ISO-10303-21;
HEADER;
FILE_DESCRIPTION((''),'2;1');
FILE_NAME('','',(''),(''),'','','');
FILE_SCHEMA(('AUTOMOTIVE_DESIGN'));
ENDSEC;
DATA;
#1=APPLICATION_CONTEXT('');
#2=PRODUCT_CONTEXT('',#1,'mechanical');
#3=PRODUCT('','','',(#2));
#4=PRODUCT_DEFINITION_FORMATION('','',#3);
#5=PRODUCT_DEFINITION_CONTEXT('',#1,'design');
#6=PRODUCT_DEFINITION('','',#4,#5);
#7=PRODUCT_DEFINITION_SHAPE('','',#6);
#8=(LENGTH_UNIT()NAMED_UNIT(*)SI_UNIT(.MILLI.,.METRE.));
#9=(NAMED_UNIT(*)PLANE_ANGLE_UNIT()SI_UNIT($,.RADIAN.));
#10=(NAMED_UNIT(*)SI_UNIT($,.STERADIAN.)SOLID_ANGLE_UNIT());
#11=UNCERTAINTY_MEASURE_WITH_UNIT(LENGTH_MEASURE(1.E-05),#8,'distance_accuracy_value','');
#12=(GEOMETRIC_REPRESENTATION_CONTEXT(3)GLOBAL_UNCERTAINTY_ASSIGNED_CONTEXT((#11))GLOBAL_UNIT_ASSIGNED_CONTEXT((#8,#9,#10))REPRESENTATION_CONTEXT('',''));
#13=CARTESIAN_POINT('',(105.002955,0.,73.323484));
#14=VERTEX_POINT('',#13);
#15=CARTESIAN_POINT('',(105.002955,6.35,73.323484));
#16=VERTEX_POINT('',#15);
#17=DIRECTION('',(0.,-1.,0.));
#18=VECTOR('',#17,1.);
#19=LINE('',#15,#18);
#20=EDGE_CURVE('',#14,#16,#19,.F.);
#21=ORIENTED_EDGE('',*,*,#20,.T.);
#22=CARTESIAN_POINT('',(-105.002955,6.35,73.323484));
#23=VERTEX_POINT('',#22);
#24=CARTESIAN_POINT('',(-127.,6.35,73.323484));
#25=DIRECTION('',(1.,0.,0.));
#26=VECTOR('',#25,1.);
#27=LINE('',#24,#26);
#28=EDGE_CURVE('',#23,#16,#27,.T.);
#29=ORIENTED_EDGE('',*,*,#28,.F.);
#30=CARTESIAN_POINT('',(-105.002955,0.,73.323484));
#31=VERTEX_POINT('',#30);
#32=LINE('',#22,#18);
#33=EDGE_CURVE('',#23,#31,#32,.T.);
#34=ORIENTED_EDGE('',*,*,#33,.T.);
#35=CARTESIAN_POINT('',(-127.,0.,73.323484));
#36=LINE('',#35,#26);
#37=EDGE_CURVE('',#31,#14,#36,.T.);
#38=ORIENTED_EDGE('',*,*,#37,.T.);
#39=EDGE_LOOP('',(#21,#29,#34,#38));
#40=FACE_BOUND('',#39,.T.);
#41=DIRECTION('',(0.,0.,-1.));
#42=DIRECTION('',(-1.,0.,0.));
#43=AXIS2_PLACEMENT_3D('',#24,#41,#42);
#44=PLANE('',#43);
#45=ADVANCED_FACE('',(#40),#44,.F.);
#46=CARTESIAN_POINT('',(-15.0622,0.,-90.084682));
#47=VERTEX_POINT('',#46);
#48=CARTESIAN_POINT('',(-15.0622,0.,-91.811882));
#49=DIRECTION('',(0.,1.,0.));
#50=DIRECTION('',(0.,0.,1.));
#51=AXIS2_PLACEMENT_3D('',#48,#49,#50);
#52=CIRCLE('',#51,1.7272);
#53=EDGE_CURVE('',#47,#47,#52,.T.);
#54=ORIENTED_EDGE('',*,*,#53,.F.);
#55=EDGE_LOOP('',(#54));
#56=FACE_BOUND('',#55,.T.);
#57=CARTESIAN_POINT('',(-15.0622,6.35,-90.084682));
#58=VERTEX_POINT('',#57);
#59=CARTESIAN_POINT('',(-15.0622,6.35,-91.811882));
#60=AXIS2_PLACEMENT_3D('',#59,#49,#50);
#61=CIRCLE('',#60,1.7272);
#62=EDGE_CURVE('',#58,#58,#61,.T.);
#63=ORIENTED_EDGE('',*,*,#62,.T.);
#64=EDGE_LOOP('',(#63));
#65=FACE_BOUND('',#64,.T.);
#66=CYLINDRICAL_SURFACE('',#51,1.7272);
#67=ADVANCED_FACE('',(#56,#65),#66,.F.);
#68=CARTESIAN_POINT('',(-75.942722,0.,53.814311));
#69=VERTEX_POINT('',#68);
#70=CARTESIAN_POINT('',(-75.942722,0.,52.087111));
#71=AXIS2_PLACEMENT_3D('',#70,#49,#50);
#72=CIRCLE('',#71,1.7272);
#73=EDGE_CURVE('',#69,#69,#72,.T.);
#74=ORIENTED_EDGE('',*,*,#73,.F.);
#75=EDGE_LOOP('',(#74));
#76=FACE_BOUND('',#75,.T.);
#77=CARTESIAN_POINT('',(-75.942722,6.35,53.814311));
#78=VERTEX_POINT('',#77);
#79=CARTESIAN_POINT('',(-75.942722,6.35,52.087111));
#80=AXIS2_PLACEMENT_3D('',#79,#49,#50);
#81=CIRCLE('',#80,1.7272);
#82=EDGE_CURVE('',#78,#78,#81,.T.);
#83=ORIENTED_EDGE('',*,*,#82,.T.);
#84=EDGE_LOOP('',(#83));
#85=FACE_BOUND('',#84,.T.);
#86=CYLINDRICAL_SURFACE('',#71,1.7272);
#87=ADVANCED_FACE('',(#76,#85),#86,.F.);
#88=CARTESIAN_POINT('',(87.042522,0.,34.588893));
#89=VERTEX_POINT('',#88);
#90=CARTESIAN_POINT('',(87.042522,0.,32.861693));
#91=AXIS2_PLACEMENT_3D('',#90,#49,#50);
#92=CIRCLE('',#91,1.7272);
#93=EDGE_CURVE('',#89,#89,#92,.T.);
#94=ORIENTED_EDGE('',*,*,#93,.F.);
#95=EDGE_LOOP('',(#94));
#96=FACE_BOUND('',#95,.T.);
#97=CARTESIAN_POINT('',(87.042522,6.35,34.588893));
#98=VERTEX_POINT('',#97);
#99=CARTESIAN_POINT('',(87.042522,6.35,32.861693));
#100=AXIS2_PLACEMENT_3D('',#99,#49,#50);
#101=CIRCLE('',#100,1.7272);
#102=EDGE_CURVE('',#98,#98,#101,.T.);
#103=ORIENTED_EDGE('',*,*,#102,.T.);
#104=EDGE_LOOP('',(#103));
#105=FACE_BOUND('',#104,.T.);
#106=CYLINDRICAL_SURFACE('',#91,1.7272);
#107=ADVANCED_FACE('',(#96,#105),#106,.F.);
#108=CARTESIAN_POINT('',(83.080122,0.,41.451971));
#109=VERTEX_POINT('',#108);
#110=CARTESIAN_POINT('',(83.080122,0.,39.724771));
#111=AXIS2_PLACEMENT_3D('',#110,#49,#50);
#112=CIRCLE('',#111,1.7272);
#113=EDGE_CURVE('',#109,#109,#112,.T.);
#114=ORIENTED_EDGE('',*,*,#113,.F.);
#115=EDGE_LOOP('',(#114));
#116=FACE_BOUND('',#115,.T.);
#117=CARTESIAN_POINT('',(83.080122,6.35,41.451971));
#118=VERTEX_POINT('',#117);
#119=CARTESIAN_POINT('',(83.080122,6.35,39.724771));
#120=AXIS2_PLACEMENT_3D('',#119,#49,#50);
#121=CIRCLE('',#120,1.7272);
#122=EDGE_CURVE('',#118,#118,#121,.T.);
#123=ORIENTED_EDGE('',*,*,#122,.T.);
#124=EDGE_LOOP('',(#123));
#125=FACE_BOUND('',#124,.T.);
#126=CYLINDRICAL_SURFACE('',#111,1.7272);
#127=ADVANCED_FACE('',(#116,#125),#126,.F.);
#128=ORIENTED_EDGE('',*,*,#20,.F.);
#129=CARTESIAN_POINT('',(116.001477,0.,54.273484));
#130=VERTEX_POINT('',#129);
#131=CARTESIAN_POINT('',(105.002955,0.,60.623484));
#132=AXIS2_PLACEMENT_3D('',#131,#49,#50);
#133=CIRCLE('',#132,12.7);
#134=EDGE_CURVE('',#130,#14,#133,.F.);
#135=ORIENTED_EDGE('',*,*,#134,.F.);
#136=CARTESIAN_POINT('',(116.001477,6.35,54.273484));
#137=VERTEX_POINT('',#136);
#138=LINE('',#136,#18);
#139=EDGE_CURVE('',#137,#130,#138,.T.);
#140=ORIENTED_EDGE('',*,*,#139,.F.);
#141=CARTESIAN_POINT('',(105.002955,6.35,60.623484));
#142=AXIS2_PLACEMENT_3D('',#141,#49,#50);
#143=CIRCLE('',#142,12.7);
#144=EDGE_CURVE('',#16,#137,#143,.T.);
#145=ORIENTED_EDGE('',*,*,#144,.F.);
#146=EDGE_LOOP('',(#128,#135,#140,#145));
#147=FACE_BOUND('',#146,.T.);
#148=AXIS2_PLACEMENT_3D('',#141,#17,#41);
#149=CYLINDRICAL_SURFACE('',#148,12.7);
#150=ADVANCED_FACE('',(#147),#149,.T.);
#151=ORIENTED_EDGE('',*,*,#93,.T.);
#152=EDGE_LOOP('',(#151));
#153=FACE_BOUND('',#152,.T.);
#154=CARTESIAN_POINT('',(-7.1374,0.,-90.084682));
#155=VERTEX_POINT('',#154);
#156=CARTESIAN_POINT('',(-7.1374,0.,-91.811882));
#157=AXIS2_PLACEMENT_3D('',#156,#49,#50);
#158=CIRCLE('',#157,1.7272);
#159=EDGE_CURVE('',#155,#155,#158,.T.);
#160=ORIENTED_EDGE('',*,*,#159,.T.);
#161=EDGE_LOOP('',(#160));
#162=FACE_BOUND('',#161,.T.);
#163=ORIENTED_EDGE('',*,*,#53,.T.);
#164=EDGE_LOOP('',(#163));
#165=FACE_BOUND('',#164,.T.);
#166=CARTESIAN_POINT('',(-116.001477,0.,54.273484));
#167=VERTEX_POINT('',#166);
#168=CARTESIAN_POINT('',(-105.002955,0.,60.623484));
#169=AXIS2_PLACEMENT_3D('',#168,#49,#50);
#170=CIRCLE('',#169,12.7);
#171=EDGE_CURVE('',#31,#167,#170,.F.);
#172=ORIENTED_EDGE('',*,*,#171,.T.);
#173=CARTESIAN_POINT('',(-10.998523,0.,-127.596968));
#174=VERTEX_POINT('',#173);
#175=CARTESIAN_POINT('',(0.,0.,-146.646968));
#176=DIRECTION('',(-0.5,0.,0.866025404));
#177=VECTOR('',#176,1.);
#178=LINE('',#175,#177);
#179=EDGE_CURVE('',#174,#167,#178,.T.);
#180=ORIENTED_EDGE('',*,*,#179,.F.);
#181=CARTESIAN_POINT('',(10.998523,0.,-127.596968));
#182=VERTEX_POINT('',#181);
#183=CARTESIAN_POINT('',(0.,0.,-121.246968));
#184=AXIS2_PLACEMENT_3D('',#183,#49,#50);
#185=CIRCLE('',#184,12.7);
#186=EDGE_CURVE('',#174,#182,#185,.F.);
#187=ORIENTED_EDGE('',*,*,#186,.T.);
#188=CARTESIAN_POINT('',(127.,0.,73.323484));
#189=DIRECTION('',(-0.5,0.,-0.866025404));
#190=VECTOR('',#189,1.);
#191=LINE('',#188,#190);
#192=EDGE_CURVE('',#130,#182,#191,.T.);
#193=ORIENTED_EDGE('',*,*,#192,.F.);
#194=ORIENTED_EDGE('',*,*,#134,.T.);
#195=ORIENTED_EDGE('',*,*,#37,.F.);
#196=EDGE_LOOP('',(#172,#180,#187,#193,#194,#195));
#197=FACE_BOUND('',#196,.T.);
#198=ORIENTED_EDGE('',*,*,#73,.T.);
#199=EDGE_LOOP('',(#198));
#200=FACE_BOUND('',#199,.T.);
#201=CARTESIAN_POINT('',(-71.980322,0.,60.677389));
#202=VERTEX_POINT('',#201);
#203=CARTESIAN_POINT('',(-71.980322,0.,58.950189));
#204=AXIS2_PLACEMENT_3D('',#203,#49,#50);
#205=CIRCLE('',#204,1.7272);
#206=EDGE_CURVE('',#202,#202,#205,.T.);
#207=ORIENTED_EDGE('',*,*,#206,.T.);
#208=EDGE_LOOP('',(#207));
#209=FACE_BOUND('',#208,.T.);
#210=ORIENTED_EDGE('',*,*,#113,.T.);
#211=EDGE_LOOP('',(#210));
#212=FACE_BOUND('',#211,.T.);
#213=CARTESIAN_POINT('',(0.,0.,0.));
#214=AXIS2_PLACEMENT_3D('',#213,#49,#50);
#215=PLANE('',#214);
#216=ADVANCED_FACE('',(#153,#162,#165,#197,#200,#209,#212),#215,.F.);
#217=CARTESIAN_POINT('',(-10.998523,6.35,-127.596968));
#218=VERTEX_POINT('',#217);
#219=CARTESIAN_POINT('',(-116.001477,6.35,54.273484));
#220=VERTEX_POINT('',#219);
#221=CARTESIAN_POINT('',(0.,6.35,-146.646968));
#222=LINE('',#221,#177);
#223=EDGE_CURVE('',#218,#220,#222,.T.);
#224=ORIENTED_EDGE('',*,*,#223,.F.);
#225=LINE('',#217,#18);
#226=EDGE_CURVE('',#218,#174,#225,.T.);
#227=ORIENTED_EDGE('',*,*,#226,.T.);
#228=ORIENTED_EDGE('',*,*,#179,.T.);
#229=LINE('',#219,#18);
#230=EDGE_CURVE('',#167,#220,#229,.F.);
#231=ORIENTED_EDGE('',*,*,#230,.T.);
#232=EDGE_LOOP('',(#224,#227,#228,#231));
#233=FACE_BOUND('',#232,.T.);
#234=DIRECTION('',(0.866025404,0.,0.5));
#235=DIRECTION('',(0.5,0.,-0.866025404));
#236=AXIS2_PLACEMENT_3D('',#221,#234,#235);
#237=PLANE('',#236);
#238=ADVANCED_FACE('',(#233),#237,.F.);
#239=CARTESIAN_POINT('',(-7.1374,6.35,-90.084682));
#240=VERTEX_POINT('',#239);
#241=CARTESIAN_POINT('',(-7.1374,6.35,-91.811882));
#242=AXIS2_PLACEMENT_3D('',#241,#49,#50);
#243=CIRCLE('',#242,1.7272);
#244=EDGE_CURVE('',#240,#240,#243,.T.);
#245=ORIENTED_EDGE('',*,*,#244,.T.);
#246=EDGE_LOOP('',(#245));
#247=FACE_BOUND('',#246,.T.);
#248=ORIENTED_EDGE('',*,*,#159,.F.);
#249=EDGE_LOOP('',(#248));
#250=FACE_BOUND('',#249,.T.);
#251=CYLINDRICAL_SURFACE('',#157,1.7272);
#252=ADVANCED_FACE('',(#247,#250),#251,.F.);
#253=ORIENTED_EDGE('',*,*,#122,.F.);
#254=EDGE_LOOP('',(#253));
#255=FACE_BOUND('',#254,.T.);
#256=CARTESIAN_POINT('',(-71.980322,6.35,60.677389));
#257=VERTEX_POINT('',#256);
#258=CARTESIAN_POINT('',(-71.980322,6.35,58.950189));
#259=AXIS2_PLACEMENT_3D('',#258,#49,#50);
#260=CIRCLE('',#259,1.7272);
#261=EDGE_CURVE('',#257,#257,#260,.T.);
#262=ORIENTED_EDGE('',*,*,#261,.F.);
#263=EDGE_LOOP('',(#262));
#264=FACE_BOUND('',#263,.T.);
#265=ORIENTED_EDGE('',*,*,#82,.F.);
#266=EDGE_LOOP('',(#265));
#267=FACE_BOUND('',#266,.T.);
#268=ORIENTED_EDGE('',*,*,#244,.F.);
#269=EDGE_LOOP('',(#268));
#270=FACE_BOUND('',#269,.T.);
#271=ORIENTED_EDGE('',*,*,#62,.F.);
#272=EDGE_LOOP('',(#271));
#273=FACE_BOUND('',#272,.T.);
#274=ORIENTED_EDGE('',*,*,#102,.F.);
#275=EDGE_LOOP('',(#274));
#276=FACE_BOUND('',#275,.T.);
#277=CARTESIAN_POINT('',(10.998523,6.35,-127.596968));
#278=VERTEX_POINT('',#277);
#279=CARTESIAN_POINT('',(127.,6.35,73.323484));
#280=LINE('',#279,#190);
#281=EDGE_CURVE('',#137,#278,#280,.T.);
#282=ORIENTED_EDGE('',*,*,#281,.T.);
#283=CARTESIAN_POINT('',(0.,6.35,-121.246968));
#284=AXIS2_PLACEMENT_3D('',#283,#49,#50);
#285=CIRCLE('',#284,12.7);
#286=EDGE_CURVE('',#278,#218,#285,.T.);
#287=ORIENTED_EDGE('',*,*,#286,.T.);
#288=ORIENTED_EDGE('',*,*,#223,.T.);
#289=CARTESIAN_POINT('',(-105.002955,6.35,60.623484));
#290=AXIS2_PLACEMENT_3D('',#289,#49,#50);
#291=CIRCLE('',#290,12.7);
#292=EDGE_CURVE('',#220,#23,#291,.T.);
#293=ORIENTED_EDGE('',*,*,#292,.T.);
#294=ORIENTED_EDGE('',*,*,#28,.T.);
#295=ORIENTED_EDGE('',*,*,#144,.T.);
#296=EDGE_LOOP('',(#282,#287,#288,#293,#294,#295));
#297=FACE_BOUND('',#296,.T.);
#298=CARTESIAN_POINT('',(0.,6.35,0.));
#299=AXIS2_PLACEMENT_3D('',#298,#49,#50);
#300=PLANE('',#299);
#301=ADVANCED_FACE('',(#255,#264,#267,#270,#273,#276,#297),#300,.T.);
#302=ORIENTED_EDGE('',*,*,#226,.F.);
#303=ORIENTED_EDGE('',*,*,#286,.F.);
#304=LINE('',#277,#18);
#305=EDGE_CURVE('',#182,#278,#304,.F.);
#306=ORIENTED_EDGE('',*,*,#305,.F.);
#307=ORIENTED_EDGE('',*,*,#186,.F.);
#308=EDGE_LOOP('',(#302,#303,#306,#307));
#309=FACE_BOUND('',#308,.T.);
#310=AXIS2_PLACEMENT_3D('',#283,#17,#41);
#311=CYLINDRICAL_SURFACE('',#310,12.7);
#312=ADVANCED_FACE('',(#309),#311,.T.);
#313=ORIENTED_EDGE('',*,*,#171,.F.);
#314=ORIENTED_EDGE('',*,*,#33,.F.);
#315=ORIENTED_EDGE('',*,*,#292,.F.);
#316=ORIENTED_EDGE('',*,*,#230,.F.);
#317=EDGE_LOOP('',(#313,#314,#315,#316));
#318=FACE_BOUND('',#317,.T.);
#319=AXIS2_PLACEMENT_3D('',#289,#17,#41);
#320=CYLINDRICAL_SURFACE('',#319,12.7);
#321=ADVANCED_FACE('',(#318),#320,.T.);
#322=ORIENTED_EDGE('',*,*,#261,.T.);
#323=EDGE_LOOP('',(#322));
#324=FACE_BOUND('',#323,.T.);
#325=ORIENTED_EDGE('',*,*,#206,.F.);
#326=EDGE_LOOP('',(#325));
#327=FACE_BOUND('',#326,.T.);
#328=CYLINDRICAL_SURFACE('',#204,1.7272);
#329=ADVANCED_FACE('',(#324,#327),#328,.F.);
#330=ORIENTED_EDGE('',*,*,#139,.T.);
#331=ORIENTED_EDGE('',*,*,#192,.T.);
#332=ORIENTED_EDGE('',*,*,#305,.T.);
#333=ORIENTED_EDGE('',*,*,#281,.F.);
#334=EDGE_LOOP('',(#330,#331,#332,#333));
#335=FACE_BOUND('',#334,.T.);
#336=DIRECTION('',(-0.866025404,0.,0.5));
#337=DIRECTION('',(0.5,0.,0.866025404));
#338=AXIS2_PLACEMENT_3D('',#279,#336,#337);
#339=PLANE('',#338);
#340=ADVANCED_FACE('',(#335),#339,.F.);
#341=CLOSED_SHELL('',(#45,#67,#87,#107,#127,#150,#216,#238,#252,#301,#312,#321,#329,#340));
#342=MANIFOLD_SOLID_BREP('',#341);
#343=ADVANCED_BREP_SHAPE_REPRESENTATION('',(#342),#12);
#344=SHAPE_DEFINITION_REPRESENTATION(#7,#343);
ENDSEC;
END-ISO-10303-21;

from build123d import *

# Parameters (mm, degrees)
BOSS_EXTRUDE1_DEPTH = 6.35
SKETCH2_R           = 1.7272
CUT_EXTRUDE1_DEPTH  = 195.099602868
FILLET1_R           = 12.7


with BuildPart() as part:
    # Sketch1 → Boss-Extrude1 (new body)
    with BuildSketch(Plane(origin=(0, 0, 0), x_dir=(1, 0, 0), z_dir=(0, 1, 0))):
        Polygon((0, 146.646968374), (-127, -73.323484187), (127, -73.323484187), align=None)
    extrude(amount=BOSS_EXTRUDE1_DEPTH)

    # Sketch2 → Cut-Extrude1 (cut, through all)
    with BuildSketch(Plane(origin=(0, 6.35, 0), x_dir=(1, 0, 0), z_dir=(0, 1, 0))):
        with Locations((83.080121807, -39.724771067)):
            Circle(SKETCH2_R)
        with Locations((87.042521807, -32.861692947)):
            Circle(SKETCH2_R)
        with Locations((-75.942721807, -52.087110501)):
            Circle(SKETCH2_R)
        with Locations((-71.980321807, -58.950188621)):
            Circle(SKETCH2_R)
        with Locations((-7.1374, 91.811881567)):
            Circle(SKETCH2_R)
        with Locations((-15.0622, 91.811881567)):
            Circle(SKETCH2_R)
    extrude(amount=-CUT_EXTRUDE1_DEPTH, mode=Mode.SUBTRACT)

    # Fillet1
    fillet1_edges = [part.edges().sort_by_distance(p)[0] for p in [
        (127, 3.175, 73.323484187),
        (-127, 3.175, 73.323484187),
        (0, 3.175, -146.646968374),
    ]]
    fillet(fillet1_edges, radius=FILLET1_R)


solid = part.part
